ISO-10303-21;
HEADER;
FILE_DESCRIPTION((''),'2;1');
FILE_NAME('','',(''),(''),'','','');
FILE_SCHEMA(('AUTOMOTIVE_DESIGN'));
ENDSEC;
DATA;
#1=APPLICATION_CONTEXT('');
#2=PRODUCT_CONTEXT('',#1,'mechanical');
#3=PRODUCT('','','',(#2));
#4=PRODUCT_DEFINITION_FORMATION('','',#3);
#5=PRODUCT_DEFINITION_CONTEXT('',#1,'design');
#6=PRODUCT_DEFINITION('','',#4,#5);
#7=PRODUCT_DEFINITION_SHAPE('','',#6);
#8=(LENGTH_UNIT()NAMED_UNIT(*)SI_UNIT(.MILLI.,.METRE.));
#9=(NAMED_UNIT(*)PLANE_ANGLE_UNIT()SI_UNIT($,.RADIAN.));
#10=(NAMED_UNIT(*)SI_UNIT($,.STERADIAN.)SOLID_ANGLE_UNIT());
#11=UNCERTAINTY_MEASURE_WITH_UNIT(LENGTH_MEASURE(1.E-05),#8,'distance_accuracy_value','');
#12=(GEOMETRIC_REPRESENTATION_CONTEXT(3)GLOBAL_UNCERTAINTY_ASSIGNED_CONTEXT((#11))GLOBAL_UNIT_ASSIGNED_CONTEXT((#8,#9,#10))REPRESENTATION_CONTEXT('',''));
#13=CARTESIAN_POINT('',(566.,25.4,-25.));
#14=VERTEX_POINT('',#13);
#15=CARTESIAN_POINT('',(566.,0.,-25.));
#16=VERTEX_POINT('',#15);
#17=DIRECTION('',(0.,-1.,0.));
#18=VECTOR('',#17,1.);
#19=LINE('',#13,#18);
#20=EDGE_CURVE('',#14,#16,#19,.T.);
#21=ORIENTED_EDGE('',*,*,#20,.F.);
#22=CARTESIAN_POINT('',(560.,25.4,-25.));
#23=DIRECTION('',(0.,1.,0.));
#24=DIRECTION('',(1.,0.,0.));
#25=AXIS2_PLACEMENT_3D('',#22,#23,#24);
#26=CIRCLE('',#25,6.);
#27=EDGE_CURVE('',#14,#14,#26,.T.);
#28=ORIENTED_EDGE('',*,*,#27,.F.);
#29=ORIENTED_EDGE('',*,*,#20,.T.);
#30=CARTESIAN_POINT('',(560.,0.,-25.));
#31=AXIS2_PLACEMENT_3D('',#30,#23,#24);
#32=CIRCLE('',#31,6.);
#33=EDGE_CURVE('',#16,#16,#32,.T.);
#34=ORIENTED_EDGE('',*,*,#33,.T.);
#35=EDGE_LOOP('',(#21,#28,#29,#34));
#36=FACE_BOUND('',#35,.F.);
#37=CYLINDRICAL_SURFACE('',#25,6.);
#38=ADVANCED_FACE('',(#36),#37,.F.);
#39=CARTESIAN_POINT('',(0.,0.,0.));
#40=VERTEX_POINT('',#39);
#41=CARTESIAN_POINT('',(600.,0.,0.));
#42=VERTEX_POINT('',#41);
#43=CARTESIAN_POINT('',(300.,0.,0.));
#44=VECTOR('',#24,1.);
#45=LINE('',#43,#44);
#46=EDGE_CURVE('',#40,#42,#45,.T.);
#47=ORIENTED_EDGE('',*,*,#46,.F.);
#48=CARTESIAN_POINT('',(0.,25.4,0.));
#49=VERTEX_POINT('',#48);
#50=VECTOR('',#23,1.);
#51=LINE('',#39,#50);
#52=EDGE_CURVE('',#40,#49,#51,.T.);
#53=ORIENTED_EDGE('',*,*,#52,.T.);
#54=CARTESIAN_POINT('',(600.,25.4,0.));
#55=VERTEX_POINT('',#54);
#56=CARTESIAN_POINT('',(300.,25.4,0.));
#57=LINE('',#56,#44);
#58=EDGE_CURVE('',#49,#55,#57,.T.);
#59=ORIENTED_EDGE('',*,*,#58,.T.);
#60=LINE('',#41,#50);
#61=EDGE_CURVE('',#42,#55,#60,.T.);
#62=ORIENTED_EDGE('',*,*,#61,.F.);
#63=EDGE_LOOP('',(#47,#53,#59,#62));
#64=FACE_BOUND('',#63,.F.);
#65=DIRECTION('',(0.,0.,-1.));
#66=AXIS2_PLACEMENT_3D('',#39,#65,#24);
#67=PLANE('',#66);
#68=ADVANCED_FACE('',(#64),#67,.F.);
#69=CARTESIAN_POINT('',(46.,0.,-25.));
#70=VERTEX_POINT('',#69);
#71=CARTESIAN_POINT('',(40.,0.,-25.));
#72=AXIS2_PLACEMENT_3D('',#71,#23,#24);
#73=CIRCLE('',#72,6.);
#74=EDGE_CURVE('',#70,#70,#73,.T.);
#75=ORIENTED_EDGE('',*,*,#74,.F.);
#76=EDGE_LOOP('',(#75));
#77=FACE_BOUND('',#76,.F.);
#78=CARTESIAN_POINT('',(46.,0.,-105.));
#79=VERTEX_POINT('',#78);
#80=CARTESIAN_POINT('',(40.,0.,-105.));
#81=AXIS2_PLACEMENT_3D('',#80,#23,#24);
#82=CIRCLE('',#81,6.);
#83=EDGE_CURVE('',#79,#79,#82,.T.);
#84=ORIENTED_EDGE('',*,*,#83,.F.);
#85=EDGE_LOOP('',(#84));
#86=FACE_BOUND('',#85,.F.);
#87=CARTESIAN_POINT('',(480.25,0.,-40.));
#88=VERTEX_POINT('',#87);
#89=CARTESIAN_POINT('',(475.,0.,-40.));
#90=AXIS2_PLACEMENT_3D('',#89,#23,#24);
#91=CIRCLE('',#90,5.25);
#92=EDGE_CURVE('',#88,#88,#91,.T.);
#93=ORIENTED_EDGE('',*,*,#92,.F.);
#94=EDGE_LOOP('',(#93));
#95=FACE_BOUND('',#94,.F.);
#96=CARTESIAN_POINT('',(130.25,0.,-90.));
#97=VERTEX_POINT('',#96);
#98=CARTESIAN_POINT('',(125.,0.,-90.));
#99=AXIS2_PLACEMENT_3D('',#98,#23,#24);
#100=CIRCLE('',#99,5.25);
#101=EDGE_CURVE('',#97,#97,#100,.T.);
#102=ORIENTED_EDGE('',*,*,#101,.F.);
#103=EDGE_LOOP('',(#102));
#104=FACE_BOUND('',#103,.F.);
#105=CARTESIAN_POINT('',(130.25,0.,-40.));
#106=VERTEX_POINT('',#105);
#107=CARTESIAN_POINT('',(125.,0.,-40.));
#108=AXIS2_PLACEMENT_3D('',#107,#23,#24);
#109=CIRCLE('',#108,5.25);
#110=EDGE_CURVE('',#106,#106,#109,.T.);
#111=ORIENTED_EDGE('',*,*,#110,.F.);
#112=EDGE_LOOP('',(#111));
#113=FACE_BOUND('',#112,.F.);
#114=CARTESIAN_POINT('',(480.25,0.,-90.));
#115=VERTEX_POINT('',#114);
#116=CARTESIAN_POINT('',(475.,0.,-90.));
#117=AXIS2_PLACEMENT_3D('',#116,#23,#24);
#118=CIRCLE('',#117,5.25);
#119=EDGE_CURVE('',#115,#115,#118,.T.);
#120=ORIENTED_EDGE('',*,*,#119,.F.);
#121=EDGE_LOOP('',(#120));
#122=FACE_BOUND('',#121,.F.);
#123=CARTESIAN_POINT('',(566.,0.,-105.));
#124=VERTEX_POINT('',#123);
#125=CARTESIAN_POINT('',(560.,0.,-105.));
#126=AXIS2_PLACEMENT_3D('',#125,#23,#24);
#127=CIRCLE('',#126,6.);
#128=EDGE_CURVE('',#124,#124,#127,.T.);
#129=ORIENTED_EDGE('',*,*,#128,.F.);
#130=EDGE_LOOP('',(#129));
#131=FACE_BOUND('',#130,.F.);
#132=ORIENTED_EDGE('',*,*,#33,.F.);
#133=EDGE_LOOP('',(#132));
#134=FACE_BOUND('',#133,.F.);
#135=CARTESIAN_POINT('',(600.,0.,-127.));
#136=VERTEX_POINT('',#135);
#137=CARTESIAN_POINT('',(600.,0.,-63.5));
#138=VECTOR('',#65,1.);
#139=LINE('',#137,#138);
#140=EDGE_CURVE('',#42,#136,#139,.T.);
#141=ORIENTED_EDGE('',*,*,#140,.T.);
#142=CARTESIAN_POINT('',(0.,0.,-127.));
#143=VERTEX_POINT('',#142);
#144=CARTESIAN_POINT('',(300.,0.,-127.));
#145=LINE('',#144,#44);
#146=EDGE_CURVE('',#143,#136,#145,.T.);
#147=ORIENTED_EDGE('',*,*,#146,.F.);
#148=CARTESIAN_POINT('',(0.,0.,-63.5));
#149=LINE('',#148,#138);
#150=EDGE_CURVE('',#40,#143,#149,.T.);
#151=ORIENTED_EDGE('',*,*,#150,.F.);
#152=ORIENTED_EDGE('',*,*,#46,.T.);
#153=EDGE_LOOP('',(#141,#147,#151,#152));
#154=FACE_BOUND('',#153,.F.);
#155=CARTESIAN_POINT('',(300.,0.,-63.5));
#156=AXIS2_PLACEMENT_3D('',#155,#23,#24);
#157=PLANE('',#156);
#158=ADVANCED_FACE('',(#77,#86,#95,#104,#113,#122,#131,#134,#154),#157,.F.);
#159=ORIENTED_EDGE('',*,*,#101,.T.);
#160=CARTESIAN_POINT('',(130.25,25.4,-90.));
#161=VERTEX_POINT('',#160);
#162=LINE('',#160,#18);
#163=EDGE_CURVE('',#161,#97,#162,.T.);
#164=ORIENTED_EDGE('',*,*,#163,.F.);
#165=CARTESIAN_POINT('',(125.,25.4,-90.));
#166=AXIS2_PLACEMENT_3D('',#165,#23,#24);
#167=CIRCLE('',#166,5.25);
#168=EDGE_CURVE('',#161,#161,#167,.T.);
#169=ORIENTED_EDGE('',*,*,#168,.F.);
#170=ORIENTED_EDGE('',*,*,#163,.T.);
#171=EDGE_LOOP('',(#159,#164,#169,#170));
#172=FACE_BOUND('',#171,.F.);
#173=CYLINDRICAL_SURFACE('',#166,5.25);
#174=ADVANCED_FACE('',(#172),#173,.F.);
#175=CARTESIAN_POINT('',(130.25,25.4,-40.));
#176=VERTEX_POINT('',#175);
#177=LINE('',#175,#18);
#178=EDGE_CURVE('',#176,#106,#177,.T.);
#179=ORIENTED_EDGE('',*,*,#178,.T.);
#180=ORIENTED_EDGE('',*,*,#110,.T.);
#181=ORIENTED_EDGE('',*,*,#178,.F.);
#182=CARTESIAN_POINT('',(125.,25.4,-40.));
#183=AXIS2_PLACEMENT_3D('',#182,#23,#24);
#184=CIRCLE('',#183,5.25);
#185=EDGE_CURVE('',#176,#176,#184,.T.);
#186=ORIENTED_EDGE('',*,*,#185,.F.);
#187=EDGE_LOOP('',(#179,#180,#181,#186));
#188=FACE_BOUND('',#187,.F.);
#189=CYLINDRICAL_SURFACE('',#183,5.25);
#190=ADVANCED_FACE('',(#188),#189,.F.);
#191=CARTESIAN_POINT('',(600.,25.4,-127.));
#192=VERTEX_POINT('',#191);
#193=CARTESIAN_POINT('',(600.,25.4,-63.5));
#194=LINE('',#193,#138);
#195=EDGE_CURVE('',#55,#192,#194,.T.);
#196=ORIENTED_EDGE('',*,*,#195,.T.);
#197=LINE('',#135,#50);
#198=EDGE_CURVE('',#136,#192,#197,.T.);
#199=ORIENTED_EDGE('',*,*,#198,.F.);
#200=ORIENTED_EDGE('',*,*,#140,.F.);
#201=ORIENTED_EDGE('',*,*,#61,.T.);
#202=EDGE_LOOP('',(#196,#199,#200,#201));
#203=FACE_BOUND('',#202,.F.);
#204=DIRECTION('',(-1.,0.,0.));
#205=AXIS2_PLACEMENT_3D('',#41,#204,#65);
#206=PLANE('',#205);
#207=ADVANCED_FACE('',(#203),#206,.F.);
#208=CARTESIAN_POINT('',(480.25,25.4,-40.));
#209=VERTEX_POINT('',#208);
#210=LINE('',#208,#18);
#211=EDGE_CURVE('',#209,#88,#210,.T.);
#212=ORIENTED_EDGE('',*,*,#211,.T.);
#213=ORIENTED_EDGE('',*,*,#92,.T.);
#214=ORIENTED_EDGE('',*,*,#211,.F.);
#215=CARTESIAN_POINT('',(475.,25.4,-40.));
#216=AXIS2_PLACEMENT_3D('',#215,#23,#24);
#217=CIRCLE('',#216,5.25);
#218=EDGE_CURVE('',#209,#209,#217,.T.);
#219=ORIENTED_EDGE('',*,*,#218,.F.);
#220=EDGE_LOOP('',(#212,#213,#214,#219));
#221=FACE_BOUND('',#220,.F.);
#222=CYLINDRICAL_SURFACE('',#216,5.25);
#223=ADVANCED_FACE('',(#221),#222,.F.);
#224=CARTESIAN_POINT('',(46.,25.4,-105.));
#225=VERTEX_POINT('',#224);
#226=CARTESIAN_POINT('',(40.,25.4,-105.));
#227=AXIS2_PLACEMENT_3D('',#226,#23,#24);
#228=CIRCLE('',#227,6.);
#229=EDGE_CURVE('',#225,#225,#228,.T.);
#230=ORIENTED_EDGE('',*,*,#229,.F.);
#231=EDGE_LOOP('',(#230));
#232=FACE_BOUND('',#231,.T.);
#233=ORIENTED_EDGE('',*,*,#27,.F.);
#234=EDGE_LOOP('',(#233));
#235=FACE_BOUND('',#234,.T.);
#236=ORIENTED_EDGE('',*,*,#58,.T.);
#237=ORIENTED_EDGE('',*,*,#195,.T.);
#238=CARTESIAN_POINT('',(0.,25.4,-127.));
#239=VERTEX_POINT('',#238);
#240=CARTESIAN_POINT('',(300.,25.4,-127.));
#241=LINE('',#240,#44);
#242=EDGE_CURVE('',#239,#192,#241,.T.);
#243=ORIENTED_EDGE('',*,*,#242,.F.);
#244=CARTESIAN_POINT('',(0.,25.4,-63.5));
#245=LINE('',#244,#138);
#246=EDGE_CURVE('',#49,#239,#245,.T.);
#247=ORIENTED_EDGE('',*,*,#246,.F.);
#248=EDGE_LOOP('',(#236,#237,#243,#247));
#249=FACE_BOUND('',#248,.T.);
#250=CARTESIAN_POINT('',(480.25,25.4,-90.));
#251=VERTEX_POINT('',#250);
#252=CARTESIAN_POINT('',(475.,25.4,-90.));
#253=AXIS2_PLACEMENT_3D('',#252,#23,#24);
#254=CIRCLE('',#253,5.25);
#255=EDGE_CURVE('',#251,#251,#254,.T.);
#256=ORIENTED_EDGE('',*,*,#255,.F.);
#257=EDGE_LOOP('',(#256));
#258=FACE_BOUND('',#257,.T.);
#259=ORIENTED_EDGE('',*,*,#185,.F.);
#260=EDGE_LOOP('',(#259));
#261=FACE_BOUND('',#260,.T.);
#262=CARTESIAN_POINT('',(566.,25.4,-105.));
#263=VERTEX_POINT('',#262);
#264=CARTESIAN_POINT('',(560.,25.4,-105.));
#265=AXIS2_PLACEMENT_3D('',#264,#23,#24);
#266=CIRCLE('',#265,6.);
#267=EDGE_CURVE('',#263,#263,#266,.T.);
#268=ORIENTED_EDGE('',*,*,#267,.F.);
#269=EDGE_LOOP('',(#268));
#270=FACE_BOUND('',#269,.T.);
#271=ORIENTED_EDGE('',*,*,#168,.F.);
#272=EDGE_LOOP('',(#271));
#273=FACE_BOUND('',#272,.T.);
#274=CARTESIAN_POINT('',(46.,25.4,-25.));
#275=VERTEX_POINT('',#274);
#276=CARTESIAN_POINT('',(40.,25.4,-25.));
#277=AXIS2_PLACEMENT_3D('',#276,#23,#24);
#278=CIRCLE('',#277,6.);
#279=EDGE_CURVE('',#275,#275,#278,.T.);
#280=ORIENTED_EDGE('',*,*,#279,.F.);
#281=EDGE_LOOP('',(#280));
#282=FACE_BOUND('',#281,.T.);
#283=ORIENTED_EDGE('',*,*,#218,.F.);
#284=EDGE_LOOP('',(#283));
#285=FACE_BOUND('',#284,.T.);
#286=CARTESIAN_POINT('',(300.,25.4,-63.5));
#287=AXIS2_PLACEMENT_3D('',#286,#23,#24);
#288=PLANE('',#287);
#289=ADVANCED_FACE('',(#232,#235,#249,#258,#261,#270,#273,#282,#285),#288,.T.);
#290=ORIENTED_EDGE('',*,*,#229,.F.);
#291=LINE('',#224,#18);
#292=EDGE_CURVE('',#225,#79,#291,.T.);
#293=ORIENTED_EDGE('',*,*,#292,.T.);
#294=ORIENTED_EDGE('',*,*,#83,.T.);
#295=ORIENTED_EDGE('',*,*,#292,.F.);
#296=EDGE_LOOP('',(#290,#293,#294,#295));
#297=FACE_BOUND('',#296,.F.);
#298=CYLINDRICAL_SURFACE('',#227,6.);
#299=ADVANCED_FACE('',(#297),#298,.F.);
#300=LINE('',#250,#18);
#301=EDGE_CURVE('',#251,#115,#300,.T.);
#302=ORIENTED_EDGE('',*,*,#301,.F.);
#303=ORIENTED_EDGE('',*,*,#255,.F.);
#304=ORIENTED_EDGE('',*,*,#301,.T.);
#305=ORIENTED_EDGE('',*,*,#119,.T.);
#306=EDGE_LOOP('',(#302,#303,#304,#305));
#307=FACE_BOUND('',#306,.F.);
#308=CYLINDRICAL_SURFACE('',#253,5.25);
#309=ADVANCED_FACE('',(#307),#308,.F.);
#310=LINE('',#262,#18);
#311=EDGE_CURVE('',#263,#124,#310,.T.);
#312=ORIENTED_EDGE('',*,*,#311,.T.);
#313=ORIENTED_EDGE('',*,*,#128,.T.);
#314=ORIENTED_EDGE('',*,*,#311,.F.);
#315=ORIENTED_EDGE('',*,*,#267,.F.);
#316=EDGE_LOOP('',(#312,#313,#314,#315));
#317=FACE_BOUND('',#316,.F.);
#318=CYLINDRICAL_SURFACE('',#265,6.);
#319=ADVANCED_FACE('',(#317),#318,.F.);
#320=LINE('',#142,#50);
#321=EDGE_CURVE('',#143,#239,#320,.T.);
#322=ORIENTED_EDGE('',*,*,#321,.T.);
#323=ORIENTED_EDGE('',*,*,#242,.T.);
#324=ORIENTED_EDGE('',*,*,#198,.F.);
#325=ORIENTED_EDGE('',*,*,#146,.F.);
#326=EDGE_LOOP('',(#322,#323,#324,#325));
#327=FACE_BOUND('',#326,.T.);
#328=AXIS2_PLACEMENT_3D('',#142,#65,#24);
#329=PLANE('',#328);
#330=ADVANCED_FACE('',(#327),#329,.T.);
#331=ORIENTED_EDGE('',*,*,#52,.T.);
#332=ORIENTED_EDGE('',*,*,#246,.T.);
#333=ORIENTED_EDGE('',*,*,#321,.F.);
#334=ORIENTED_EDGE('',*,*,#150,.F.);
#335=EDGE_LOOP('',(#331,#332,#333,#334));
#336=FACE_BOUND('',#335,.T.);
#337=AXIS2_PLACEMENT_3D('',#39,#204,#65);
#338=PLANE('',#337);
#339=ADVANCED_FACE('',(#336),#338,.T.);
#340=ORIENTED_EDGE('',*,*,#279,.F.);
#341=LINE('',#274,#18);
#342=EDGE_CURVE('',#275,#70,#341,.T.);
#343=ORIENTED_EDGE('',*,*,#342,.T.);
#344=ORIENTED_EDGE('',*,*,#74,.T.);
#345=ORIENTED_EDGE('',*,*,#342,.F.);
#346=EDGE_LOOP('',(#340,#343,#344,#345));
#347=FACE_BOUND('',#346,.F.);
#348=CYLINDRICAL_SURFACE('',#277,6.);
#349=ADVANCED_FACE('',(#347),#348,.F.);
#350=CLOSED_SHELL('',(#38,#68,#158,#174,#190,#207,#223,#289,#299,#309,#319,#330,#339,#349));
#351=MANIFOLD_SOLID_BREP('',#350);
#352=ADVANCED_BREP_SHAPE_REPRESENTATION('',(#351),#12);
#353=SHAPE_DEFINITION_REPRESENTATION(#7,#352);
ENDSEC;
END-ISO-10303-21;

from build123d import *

# Parameters (mm, degrees)
SKETCH1_W           = 600
SKETCH1_H           = 127
BOSS_EXTRUDE1_DEPTH = 25.4
SKETCH2_R           = 6
CUT_EXTRUDE1_DEPTH  = 25.4
SKETCH3_R           = 5.25
CUT_EXTRUDE2_DEPTH  = 25.4


with BuildPart() as part:
    # Sketch1 → Boss-Extrude1 (new body)
    with BuildSketch(Plane(origin=(0, 0, 0), x_dir=(1, 0, 0), z_dir=(0, 1, 0))):
        with Locations((300, 63.5)):
            Rectangle(SKETCH1_W, SKETCH1_H)
    extrude(amount=BOSS_EXTRUDE1_DEPTH)

    # Sketch2 → Cut-Extrude1 (cut)
    with BuildSketch(Plane(origin=(0, 25.4, 0), x_dir=(1, 0, 0), z_dir=(0, 1, 0))):
        with Locations((40, 105)):
            Circle(SKETCH2_R)
        with Locations((40, 25)):
            Circle(SKETCH2_R)
        with Locations((560, 25)):
            Circle(SKETCH2_R)
        with Locations((560, 105)):
            Circle(SKETCH2_R)
    extrude(amount=-CUT_EXTRUDE1_DEPTH, mode=Mode.SUBTRACT)

    # Sketch3 → Cut-Extrude2 (cut)
    with BuildSketch(Plane(origin=(0, 25.4, 0), x_dir=(1, 0, 0), z_dir=(0, 1, 0))):
        with Locations((125, 90)):
            Circle(SKETCH3_R)
        with Locations((125, 40)):
            Circle(SKETCH3_R)
        with Locations((475, 40)):
            Circle(SKETCH3_R)
        with Locations((475, 90)):
            Circle(SKETCH3_R)
    extrude(amount=-CUT_EXTRUDE2_DEPTH, mode=Mode.SUBTRACT)


solid = part.part
